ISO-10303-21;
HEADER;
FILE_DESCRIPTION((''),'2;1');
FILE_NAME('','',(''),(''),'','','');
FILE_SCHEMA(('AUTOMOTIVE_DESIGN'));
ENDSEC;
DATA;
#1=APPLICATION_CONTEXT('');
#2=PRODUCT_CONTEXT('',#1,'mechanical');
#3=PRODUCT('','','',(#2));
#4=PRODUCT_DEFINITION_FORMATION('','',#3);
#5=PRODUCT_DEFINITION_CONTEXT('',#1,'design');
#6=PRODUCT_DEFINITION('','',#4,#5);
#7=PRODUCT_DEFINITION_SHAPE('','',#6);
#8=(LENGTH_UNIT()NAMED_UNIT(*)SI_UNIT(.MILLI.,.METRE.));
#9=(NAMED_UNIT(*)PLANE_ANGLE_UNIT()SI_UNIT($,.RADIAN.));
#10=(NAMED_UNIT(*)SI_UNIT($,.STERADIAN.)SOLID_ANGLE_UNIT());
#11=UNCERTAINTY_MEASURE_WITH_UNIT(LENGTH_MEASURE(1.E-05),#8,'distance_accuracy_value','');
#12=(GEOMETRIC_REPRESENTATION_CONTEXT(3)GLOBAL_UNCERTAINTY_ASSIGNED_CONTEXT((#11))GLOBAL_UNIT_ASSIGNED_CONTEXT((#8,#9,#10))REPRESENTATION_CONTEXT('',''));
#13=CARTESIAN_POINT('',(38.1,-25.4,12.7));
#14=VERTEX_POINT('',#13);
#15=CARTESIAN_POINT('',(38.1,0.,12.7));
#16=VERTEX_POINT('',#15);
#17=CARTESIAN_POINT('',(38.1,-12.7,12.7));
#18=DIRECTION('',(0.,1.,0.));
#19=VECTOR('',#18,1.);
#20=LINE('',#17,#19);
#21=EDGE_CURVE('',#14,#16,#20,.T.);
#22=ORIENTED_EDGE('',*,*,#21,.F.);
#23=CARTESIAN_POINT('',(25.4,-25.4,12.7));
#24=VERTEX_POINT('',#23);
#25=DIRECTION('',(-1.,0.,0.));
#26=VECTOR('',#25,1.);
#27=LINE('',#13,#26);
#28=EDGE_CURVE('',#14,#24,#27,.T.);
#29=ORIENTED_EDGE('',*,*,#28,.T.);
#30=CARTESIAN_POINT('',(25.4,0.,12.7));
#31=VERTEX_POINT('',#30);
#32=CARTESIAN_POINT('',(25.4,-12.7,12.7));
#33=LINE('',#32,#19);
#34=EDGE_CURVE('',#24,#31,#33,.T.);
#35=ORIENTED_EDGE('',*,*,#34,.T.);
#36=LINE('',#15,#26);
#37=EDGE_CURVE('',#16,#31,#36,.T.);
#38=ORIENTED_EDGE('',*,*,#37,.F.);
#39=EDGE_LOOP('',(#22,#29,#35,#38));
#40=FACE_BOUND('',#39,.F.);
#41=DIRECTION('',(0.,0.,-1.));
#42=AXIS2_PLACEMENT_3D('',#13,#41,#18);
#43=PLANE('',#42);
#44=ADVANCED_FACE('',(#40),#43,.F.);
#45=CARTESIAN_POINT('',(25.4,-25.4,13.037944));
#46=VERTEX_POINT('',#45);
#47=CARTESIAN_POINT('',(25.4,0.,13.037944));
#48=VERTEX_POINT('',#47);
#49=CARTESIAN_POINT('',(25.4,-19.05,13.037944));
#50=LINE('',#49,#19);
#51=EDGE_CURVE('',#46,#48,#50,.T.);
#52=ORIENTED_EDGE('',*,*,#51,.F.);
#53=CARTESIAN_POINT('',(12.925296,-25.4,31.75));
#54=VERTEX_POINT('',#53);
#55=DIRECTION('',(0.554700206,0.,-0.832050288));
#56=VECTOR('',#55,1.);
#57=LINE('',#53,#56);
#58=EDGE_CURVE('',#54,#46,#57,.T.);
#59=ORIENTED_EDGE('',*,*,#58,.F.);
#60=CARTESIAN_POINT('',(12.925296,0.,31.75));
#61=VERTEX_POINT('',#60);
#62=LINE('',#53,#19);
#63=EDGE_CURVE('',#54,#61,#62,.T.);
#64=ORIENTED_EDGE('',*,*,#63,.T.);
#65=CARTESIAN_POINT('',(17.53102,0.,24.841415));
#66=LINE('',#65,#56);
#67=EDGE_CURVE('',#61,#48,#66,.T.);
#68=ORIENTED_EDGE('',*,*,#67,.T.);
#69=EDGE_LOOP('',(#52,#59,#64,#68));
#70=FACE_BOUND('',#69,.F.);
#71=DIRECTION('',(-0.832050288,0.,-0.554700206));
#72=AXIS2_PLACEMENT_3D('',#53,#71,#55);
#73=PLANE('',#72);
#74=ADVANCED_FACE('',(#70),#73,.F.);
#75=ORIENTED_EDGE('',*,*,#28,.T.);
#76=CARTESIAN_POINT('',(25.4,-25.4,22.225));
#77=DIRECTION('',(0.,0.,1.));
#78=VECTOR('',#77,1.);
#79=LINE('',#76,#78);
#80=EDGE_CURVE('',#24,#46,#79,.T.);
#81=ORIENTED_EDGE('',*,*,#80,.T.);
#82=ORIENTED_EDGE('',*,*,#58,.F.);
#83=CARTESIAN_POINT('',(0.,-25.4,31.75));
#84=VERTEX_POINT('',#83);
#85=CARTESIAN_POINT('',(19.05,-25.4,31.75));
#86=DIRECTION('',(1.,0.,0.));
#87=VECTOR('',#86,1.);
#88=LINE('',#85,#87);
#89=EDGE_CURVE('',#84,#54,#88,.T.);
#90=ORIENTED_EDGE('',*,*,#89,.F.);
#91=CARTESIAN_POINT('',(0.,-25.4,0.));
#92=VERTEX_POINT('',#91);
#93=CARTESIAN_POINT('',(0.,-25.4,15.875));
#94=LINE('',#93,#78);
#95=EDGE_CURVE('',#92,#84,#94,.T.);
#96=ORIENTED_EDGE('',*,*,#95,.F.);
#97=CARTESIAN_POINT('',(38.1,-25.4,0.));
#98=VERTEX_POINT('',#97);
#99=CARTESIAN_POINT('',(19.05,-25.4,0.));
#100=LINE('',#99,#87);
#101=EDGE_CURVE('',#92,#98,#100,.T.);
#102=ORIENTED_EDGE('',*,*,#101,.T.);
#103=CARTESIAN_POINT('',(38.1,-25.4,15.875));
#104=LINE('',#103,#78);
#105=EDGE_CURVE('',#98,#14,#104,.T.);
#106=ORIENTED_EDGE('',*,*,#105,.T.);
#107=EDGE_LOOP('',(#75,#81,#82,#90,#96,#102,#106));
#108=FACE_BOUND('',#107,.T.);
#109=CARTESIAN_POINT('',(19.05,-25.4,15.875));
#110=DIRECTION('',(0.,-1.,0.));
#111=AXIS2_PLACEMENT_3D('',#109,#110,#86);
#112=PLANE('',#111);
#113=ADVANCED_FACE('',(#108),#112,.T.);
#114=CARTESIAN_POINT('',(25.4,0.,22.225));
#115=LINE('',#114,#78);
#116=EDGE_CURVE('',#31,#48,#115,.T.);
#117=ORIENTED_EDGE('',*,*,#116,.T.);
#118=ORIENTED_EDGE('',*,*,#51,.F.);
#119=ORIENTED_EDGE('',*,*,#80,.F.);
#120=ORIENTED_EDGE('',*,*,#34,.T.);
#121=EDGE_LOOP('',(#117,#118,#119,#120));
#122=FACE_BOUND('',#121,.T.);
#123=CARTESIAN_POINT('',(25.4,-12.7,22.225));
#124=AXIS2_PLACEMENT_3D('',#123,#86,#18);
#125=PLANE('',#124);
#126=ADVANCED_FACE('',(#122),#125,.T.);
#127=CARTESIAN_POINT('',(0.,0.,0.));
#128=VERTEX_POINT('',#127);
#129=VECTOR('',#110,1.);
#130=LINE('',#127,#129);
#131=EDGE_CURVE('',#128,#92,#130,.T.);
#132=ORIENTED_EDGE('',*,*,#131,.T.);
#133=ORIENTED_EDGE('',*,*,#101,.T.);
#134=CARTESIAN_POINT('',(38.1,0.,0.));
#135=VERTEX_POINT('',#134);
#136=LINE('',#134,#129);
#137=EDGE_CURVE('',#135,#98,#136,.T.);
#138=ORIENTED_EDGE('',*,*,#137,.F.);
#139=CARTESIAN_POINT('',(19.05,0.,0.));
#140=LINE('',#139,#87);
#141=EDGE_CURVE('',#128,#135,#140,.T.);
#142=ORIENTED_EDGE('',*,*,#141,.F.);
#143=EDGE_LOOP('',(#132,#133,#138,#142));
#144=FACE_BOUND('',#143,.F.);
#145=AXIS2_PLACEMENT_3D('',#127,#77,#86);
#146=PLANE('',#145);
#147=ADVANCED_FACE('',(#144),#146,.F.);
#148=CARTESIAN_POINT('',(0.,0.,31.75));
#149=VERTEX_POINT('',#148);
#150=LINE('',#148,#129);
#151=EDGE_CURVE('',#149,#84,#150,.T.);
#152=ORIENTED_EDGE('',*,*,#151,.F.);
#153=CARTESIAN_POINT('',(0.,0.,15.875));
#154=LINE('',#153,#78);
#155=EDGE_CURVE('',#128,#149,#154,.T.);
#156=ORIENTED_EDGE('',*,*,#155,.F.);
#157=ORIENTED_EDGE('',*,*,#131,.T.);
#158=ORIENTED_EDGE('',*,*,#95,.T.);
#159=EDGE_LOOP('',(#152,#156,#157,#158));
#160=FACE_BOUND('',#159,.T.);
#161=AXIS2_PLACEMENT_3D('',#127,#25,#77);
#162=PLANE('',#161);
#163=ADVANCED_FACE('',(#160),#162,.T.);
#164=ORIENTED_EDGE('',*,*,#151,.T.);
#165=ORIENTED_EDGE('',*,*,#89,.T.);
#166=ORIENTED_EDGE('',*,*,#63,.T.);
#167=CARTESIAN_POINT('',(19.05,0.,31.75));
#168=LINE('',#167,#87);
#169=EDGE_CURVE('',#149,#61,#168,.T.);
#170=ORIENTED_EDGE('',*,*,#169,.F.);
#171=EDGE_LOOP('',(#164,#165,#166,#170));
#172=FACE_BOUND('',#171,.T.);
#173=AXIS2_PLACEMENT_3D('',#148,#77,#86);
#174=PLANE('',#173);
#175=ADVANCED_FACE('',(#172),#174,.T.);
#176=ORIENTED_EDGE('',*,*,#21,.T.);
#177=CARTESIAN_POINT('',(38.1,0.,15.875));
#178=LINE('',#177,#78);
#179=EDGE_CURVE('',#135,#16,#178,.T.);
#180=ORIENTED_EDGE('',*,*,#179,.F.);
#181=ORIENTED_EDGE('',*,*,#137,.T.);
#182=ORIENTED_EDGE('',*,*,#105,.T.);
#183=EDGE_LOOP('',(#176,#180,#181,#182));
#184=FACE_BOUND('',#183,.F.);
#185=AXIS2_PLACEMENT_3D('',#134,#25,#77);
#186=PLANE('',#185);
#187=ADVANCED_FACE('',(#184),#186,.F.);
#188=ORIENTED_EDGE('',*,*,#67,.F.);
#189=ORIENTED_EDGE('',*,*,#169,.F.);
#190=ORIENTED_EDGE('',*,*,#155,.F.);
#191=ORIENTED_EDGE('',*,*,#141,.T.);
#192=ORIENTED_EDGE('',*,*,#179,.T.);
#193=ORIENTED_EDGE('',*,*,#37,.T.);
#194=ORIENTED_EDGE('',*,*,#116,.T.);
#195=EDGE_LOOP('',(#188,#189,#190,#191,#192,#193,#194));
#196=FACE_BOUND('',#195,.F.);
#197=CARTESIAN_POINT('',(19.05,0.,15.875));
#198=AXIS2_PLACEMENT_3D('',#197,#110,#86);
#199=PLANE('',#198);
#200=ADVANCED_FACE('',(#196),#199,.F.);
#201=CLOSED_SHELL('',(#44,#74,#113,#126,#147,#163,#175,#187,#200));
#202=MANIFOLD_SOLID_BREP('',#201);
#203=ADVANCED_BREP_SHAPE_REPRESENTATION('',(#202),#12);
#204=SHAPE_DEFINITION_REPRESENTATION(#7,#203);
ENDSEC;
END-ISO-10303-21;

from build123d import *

# Parameters (mm, degrees)
F0_W     = 38.1
F0_H     = 31.75
F1_DEPTH = 25.4
F2_W     = 25.4
F2_H     = 19.05
F4_DEPTH = 12.7
F6_DEPTH = 25.401


with BuildPart() as f1:
    # F0 (on Front) → F1 (new body)
    with BuildSketch(Plane.XZ):
        with Locations((19.05, 15.875)):
            Rectangle(F0_W, F0_H)
    extrude(amount=F1_DEPTH)

    # F2 (on face) → F4 (cut)
    with BuildSketch(Plane.YZ.offset(38.1)):
        with Locations((-12.7, 22.225)):
            Rectangle(F2_W, F2_H)
    extrude(amount=-F4_DEPTH, mode=Mode.SUBTRACT)

    # F5 (on face) → F6 (cut, through all)
    with BuildSketch(Plane.XZ.offset(25.4)):
        Polygon((12.925296, 31.75), (25.609119, 12.724266), (25.609119, 31.75), align=None)
    extrude(amount=-F6_DEPTH, mode=Mode.SUBTRACT)


solid = f1.part
